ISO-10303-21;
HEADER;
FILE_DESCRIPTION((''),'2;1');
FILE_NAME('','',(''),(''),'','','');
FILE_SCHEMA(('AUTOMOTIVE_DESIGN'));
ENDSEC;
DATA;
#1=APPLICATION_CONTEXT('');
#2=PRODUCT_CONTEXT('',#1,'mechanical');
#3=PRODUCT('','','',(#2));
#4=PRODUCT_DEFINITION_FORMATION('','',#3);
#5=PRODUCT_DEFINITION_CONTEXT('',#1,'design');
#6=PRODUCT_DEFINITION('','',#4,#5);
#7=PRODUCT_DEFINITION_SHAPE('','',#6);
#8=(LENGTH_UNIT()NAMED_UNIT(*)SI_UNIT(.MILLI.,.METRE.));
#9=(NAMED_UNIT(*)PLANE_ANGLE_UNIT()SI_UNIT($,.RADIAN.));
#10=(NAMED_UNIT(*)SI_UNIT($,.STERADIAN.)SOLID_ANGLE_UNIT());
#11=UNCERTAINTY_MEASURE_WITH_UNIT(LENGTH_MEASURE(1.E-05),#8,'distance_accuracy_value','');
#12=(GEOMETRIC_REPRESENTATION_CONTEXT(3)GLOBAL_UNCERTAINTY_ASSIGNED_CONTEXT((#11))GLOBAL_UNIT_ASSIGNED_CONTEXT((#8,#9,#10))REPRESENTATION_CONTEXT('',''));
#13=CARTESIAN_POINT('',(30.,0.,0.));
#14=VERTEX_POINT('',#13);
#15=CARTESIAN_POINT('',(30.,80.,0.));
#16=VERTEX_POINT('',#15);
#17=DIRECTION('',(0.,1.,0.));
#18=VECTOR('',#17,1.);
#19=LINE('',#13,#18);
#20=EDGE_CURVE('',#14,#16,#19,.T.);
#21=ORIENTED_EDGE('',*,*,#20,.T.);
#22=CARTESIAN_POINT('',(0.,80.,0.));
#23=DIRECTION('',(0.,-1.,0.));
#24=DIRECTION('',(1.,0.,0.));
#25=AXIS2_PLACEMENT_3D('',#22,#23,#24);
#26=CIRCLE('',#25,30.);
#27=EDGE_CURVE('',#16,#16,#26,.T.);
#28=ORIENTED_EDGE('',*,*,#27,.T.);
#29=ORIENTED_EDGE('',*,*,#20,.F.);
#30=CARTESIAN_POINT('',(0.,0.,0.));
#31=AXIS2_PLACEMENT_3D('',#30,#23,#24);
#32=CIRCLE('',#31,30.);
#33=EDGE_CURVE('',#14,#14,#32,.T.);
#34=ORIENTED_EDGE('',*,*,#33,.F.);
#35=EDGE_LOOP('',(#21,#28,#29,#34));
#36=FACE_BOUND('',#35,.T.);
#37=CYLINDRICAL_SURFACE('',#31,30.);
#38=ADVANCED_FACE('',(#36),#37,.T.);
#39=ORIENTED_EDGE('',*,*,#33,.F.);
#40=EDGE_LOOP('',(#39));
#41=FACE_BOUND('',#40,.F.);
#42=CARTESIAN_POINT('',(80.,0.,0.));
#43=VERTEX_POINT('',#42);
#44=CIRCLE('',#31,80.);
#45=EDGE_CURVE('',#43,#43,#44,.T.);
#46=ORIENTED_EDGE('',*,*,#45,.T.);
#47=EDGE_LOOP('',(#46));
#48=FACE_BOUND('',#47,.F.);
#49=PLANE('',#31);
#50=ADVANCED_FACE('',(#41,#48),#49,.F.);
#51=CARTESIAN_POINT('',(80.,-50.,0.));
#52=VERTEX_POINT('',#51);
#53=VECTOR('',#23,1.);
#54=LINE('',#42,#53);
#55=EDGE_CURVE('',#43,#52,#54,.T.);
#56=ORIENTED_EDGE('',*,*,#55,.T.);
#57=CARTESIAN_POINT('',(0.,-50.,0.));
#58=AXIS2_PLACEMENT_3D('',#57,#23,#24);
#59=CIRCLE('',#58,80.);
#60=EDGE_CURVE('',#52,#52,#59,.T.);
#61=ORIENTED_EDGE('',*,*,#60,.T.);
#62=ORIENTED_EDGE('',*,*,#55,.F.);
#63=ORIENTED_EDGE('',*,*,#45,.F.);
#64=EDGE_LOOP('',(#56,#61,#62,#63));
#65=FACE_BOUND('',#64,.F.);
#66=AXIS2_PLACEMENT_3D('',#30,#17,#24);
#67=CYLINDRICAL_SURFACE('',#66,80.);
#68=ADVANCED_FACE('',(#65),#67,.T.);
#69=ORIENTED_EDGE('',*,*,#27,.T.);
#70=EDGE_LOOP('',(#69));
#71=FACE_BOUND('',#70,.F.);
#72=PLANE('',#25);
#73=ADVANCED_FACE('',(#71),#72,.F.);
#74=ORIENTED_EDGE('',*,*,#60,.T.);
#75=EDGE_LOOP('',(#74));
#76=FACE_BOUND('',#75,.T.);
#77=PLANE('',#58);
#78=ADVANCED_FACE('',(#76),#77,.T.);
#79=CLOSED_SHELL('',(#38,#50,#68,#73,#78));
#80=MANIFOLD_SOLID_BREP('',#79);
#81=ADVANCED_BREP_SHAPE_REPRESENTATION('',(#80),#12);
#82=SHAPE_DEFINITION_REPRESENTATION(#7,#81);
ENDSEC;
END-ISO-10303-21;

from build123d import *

# Parameters (mm, degrees)
SKETCH_R     = 80
PAD_DEPTH    = 50
SKETCH001_R  = 30
PAD001_DEPTH = 80


with BuildPart() as part:
    # Sketch → Pad (new body)
    with BuildSketch(Plane.XZ):
        Circle(SKETCH_R)
    extrude(amount=PAD_DEPTH)

    # Sketch001 → Pad001 (join)
    with BuildSketch(Plane.XZ):
        Circle(SKETCH001_R)
    extrude(amount=-PAD001_DEPTH)


solid = part.part
